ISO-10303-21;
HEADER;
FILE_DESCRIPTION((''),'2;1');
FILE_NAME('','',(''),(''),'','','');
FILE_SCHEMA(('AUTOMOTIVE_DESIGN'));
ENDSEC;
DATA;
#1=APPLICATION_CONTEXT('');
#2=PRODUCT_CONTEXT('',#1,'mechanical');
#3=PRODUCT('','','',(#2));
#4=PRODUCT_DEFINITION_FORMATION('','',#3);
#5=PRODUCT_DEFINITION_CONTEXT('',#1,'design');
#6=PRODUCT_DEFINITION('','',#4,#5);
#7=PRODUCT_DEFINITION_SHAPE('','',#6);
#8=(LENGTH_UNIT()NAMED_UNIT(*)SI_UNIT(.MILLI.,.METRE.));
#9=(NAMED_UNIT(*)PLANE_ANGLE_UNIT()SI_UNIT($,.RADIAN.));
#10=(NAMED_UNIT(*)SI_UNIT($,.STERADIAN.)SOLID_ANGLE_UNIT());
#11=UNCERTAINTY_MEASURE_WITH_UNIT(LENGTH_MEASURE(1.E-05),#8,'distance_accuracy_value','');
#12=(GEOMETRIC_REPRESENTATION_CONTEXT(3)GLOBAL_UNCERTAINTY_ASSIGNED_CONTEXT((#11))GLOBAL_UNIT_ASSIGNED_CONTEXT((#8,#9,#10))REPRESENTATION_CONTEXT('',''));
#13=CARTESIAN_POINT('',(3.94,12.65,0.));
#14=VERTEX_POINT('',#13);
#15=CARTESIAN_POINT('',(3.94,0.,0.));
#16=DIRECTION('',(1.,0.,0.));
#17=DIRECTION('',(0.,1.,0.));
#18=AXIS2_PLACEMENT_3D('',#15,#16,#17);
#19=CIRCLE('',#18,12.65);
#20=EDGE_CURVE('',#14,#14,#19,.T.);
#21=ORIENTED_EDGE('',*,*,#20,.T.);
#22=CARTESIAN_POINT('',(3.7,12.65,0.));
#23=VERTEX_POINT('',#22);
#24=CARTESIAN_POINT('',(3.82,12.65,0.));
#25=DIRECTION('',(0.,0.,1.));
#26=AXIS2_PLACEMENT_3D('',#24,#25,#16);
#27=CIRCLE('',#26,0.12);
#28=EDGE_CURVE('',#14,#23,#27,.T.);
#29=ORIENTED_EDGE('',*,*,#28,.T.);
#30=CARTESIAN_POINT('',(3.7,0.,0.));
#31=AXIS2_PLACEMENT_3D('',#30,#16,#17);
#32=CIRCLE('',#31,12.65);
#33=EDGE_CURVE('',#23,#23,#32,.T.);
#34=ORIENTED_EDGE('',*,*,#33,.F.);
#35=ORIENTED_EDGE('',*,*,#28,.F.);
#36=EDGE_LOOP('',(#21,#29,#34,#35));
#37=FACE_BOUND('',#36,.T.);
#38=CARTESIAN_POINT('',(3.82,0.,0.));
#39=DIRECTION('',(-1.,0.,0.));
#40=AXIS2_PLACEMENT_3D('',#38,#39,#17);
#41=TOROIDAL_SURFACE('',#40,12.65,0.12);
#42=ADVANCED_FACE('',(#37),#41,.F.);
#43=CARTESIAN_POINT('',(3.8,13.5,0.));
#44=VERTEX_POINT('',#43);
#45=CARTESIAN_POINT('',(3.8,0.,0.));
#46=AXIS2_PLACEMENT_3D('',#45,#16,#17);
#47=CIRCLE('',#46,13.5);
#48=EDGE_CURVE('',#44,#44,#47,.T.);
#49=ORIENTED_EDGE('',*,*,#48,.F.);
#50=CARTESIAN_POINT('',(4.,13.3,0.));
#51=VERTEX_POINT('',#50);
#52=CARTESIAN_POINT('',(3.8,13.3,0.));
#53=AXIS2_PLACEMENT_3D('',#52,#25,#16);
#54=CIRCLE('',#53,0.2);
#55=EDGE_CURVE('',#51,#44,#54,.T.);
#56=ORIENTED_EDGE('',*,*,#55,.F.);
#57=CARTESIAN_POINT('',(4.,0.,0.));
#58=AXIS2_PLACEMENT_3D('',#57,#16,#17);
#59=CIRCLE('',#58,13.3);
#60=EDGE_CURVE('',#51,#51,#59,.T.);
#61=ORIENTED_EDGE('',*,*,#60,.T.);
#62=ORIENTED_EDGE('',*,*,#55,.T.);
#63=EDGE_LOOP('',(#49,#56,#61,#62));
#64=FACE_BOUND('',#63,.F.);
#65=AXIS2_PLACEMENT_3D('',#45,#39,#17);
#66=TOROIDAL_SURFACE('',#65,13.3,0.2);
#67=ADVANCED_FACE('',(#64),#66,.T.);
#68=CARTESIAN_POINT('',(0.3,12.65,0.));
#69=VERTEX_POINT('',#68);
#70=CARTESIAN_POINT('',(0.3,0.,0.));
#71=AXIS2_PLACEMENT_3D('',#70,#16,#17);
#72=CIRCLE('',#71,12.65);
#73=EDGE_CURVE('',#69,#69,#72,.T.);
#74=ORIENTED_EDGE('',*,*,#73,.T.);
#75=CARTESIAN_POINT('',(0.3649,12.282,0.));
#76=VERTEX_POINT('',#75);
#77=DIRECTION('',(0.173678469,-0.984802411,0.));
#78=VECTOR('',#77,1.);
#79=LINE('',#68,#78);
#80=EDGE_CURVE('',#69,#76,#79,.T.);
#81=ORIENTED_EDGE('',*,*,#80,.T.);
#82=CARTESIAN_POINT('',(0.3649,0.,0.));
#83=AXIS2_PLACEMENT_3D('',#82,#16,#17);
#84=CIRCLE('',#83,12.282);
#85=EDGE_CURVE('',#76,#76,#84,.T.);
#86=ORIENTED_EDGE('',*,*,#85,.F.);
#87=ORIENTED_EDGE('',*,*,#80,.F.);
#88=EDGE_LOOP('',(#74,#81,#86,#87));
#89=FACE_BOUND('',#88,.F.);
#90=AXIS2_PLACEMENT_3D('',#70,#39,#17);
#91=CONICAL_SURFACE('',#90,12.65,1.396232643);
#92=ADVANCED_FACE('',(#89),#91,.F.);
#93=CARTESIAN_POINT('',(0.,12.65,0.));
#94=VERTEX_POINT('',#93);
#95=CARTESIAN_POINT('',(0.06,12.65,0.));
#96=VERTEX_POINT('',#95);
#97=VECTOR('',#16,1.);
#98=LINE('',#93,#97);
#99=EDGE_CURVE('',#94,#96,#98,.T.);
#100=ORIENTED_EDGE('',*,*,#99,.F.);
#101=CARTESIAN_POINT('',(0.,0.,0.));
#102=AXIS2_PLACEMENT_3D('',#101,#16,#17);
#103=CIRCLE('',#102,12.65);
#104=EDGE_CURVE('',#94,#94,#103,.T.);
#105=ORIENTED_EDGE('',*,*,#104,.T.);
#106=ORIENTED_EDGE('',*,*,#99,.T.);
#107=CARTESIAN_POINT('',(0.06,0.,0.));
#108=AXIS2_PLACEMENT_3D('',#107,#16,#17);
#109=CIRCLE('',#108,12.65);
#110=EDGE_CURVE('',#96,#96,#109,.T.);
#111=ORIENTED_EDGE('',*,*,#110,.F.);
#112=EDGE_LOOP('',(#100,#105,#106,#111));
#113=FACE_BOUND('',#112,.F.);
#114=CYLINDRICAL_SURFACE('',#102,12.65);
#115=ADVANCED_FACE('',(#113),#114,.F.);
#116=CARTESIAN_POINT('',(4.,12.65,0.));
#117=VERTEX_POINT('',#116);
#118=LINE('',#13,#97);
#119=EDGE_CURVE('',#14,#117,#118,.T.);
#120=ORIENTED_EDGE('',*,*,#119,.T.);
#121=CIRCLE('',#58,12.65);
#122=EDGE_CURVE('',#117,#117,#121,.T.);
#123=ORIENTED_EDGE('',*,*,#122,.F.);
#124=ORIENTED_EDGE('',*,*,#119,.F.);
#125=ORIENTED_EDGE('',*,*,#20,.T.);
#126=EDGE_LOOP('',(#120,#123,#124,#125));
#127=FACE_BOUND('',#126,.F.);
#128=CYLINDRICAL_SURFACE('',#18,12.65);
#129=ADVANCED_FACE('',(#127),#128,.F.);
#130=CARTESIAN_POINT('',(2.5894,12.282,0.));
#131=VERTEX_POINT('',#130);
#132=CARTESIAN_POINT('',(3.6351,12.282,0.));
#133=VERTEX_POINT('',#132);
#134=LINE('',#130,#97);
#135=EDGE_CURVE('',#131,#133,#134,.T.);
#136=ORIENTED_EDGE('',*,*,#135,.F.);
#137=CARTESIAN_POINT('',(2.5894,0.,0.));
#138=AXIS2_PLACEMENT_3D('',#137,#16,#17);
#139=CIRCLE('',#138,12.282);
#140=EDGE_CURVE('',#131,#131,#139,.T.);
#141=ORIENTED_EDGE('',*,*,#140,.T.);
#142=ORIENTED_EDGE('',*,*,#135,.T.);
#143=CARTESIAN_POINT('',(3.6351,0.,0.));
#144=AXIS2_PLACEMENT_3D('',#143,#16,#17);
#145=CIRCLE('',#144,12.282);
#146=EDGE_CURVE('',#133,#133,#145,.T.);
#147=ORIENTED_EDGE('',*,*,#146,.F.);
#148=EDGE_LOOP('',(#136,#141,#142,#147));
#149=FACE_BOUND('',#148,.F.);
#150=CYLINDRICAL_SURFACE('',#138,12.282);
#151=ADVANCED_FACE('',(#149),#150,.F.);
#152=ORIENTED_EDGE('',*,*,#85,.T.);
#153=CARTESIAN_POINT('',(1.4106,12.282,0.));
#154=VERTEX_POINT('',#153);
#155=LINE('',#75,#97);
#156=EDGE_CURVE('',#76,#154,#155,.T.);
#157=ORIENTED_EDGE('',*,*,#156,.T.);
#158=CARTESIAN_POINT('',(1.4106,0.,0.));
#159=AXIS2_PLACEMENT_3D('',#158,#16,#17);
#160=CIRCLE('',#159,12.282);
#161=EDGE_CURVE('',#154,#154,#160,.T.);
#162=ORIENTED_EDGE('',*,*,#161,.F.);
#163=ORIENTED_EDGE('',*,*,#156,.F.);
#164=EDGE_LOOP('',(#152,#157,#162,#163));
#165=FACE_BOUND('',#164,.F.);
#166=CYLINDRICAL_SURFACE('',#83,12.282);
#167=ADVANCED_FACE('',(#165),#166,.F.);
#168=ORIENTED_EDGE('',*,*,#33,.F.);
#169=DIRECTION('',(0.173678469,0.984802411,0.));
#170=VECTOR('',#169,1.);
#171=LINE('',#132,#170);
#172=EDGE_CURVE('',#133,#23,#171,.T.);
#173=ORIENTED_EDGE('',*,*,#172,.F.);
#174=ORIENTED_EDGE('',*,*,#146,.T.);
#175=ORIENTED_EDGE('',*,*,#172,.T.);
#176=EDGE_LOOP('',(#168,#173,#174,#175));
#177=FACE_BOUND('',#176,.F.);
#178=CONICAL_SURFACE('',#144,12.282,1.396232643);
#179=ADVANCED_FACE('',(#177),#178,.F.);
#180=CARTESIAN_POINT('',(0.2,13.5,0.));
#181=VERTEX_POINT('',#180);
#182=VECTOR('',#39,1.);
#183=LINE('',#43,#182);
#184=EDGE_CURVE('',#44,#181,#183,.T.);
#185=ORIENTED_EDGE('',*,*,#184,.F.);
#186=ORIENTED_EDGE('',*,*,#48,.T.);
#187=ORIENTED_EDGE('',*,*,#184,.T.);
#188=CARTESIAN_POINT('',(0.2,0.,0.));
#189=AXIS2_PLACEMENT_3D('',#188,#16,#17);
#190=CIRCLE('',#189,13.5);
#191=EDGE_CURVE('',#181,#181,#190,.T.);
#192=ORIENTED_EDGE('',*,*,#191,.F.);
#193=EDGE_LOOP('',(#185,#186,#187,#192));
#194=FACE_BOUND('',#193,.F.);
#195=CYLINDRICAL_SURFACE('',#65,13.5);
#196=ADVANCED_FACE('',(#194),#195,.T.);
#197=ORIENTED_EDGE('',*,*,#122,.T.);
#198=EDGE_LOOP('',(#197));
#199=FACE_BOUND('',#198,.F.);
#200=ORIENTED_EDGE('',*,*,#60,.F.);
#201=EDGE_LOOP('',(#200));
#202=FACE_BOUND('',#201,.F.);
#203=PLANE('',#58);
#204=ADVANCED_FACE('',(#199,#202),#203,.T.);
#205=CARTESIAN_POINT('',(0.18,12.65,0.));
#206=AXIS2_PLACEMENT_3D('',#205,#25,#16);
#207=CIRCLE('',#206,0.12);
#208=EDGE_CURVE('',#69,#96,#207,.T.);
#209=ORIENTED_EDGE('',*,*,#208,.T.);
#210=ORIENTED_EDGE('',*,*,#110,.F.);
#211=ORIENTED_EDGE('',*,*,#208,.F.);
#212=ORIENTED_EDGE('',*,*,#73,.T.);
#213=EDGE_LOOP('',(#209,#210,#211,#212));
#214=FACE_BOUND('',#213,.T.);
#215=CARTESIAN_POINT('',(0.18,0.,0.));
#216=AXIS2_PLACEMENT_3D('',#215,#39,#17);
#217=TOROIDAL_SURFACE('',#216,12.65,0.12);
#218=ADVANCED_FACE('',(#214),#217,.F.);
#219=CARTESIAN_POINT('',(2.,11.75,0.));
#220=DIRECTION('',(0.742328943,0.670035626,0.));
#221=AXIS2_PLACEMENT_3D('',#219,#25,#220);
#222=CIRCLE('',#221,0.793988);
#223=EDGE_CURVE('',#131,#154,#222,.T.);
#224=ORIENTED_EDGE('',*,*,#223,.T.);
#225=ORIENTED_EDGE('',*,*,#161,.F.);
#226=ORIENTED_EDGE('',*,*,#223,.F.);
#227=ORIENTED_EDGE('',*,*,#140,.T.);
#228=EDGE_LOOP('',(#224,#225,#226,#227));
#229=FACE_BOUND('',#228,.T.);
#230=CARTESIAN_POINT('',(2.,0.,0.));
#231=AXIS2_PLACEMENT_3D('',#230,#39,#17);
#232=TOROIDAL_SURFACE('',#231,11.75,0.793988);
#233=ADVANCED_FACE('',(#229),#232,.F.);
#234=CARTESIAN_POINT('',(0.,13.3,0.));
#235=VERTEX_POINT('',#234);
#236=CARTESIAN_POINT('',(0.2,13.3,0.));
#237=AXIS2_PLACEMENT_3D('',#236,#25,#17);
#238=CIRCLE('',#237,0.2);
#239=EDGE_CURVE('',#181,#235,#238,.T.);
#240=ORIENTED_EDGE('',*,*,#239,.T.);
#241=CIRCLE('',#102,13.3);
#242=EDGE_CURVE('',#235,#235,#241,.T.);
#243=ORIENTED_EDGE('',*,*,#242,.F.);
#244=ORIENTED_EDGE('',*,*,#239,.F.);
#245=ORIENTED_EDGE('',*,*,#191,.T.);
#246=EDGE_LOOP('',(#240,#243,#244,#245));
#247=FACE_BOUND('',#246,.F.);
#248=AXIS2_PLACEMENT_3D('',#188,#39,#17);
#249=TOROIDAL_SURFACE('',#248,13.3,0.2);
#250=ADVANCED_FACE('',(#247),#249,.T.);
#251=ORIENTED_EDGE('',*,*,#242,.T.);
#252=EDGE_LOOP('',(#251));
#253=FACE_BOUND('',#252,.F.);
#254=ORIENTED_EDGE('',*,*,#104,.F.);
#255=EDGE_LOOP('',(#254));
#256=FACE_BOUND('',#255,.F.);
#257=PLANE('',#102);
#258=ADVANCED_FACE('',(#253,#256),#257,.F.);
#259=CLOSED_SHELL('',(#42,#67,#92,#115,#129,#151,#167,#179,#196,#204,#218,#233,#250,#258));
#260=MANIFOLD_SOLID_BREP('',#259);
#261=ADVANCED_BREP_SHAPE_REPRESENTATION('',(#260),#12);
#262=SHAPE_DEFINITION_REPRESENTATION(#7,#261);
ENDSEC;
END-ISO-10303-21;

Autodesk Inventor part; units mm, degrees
ref_plane "YZ Plane" through (0, 0, 0) normal (1, 0, 0) x (0, 1, 0)
ref_plane "XZ Plane" through (0, 0, 0) normal (0, 1, 0) x (-1, 0, 0)
ref_plane "XY Plane" through (0, 0, 0) normal (0, 0, 1) x (1, 0, 0)
sketch "Sketch_17" plane through (0, 0, 0) normal (0, 0, 1) x (1, 0, 0)
  line L0 (50, 0) -> (-50, 0)
  line L1 (0, 13.3) -> (0, 12.65)
  line L2 (0, 12.65) -> (0.06, 12.65)
  arc A0 (0.3, 12.65) -> (0.06, 12.65) centre (0.18, 12.65) ccw
  line L3 (0.3, 12.65) -> (0.3649, 12.282)
  line L4 (0.3649, 12.282) -> (1.4106, 12.282)
  arc A1 (2.5894, 12.282) -> (1.4106, 12.282) centre (2, 11.75) ccw
  line L5 (2.5894, 12.282) -> (3.6351, 12.282)
  line L6 (3.6351, 12.282) -> (3.7, 12.65)
  arc A2 (3.94, 12.65) -> (3.7, 12.65) centre (3.82, 12.65) ccw
  line L7 (3.94, 12.65) -> (4, 12.65)
  line L8 (4, 12.65) -> (4, 13.3)
  arc A3 (4, 13.3) -> (3.8, 13.5) centre (3.8, 13.3) ccw
  line L9 (3.8, 13.5) -> (0.2, 13.5)
  arc A4 (0.2, 13.5) -> (0, 13.3) centre (0.2, 13.3) ccw
revolve "Revolution1" add sketch "Sketch_17" angle 360 about axis through (50, 0, 0) along (1, 0, 0)
properties part number "W 61704-2ZS_PART2"
